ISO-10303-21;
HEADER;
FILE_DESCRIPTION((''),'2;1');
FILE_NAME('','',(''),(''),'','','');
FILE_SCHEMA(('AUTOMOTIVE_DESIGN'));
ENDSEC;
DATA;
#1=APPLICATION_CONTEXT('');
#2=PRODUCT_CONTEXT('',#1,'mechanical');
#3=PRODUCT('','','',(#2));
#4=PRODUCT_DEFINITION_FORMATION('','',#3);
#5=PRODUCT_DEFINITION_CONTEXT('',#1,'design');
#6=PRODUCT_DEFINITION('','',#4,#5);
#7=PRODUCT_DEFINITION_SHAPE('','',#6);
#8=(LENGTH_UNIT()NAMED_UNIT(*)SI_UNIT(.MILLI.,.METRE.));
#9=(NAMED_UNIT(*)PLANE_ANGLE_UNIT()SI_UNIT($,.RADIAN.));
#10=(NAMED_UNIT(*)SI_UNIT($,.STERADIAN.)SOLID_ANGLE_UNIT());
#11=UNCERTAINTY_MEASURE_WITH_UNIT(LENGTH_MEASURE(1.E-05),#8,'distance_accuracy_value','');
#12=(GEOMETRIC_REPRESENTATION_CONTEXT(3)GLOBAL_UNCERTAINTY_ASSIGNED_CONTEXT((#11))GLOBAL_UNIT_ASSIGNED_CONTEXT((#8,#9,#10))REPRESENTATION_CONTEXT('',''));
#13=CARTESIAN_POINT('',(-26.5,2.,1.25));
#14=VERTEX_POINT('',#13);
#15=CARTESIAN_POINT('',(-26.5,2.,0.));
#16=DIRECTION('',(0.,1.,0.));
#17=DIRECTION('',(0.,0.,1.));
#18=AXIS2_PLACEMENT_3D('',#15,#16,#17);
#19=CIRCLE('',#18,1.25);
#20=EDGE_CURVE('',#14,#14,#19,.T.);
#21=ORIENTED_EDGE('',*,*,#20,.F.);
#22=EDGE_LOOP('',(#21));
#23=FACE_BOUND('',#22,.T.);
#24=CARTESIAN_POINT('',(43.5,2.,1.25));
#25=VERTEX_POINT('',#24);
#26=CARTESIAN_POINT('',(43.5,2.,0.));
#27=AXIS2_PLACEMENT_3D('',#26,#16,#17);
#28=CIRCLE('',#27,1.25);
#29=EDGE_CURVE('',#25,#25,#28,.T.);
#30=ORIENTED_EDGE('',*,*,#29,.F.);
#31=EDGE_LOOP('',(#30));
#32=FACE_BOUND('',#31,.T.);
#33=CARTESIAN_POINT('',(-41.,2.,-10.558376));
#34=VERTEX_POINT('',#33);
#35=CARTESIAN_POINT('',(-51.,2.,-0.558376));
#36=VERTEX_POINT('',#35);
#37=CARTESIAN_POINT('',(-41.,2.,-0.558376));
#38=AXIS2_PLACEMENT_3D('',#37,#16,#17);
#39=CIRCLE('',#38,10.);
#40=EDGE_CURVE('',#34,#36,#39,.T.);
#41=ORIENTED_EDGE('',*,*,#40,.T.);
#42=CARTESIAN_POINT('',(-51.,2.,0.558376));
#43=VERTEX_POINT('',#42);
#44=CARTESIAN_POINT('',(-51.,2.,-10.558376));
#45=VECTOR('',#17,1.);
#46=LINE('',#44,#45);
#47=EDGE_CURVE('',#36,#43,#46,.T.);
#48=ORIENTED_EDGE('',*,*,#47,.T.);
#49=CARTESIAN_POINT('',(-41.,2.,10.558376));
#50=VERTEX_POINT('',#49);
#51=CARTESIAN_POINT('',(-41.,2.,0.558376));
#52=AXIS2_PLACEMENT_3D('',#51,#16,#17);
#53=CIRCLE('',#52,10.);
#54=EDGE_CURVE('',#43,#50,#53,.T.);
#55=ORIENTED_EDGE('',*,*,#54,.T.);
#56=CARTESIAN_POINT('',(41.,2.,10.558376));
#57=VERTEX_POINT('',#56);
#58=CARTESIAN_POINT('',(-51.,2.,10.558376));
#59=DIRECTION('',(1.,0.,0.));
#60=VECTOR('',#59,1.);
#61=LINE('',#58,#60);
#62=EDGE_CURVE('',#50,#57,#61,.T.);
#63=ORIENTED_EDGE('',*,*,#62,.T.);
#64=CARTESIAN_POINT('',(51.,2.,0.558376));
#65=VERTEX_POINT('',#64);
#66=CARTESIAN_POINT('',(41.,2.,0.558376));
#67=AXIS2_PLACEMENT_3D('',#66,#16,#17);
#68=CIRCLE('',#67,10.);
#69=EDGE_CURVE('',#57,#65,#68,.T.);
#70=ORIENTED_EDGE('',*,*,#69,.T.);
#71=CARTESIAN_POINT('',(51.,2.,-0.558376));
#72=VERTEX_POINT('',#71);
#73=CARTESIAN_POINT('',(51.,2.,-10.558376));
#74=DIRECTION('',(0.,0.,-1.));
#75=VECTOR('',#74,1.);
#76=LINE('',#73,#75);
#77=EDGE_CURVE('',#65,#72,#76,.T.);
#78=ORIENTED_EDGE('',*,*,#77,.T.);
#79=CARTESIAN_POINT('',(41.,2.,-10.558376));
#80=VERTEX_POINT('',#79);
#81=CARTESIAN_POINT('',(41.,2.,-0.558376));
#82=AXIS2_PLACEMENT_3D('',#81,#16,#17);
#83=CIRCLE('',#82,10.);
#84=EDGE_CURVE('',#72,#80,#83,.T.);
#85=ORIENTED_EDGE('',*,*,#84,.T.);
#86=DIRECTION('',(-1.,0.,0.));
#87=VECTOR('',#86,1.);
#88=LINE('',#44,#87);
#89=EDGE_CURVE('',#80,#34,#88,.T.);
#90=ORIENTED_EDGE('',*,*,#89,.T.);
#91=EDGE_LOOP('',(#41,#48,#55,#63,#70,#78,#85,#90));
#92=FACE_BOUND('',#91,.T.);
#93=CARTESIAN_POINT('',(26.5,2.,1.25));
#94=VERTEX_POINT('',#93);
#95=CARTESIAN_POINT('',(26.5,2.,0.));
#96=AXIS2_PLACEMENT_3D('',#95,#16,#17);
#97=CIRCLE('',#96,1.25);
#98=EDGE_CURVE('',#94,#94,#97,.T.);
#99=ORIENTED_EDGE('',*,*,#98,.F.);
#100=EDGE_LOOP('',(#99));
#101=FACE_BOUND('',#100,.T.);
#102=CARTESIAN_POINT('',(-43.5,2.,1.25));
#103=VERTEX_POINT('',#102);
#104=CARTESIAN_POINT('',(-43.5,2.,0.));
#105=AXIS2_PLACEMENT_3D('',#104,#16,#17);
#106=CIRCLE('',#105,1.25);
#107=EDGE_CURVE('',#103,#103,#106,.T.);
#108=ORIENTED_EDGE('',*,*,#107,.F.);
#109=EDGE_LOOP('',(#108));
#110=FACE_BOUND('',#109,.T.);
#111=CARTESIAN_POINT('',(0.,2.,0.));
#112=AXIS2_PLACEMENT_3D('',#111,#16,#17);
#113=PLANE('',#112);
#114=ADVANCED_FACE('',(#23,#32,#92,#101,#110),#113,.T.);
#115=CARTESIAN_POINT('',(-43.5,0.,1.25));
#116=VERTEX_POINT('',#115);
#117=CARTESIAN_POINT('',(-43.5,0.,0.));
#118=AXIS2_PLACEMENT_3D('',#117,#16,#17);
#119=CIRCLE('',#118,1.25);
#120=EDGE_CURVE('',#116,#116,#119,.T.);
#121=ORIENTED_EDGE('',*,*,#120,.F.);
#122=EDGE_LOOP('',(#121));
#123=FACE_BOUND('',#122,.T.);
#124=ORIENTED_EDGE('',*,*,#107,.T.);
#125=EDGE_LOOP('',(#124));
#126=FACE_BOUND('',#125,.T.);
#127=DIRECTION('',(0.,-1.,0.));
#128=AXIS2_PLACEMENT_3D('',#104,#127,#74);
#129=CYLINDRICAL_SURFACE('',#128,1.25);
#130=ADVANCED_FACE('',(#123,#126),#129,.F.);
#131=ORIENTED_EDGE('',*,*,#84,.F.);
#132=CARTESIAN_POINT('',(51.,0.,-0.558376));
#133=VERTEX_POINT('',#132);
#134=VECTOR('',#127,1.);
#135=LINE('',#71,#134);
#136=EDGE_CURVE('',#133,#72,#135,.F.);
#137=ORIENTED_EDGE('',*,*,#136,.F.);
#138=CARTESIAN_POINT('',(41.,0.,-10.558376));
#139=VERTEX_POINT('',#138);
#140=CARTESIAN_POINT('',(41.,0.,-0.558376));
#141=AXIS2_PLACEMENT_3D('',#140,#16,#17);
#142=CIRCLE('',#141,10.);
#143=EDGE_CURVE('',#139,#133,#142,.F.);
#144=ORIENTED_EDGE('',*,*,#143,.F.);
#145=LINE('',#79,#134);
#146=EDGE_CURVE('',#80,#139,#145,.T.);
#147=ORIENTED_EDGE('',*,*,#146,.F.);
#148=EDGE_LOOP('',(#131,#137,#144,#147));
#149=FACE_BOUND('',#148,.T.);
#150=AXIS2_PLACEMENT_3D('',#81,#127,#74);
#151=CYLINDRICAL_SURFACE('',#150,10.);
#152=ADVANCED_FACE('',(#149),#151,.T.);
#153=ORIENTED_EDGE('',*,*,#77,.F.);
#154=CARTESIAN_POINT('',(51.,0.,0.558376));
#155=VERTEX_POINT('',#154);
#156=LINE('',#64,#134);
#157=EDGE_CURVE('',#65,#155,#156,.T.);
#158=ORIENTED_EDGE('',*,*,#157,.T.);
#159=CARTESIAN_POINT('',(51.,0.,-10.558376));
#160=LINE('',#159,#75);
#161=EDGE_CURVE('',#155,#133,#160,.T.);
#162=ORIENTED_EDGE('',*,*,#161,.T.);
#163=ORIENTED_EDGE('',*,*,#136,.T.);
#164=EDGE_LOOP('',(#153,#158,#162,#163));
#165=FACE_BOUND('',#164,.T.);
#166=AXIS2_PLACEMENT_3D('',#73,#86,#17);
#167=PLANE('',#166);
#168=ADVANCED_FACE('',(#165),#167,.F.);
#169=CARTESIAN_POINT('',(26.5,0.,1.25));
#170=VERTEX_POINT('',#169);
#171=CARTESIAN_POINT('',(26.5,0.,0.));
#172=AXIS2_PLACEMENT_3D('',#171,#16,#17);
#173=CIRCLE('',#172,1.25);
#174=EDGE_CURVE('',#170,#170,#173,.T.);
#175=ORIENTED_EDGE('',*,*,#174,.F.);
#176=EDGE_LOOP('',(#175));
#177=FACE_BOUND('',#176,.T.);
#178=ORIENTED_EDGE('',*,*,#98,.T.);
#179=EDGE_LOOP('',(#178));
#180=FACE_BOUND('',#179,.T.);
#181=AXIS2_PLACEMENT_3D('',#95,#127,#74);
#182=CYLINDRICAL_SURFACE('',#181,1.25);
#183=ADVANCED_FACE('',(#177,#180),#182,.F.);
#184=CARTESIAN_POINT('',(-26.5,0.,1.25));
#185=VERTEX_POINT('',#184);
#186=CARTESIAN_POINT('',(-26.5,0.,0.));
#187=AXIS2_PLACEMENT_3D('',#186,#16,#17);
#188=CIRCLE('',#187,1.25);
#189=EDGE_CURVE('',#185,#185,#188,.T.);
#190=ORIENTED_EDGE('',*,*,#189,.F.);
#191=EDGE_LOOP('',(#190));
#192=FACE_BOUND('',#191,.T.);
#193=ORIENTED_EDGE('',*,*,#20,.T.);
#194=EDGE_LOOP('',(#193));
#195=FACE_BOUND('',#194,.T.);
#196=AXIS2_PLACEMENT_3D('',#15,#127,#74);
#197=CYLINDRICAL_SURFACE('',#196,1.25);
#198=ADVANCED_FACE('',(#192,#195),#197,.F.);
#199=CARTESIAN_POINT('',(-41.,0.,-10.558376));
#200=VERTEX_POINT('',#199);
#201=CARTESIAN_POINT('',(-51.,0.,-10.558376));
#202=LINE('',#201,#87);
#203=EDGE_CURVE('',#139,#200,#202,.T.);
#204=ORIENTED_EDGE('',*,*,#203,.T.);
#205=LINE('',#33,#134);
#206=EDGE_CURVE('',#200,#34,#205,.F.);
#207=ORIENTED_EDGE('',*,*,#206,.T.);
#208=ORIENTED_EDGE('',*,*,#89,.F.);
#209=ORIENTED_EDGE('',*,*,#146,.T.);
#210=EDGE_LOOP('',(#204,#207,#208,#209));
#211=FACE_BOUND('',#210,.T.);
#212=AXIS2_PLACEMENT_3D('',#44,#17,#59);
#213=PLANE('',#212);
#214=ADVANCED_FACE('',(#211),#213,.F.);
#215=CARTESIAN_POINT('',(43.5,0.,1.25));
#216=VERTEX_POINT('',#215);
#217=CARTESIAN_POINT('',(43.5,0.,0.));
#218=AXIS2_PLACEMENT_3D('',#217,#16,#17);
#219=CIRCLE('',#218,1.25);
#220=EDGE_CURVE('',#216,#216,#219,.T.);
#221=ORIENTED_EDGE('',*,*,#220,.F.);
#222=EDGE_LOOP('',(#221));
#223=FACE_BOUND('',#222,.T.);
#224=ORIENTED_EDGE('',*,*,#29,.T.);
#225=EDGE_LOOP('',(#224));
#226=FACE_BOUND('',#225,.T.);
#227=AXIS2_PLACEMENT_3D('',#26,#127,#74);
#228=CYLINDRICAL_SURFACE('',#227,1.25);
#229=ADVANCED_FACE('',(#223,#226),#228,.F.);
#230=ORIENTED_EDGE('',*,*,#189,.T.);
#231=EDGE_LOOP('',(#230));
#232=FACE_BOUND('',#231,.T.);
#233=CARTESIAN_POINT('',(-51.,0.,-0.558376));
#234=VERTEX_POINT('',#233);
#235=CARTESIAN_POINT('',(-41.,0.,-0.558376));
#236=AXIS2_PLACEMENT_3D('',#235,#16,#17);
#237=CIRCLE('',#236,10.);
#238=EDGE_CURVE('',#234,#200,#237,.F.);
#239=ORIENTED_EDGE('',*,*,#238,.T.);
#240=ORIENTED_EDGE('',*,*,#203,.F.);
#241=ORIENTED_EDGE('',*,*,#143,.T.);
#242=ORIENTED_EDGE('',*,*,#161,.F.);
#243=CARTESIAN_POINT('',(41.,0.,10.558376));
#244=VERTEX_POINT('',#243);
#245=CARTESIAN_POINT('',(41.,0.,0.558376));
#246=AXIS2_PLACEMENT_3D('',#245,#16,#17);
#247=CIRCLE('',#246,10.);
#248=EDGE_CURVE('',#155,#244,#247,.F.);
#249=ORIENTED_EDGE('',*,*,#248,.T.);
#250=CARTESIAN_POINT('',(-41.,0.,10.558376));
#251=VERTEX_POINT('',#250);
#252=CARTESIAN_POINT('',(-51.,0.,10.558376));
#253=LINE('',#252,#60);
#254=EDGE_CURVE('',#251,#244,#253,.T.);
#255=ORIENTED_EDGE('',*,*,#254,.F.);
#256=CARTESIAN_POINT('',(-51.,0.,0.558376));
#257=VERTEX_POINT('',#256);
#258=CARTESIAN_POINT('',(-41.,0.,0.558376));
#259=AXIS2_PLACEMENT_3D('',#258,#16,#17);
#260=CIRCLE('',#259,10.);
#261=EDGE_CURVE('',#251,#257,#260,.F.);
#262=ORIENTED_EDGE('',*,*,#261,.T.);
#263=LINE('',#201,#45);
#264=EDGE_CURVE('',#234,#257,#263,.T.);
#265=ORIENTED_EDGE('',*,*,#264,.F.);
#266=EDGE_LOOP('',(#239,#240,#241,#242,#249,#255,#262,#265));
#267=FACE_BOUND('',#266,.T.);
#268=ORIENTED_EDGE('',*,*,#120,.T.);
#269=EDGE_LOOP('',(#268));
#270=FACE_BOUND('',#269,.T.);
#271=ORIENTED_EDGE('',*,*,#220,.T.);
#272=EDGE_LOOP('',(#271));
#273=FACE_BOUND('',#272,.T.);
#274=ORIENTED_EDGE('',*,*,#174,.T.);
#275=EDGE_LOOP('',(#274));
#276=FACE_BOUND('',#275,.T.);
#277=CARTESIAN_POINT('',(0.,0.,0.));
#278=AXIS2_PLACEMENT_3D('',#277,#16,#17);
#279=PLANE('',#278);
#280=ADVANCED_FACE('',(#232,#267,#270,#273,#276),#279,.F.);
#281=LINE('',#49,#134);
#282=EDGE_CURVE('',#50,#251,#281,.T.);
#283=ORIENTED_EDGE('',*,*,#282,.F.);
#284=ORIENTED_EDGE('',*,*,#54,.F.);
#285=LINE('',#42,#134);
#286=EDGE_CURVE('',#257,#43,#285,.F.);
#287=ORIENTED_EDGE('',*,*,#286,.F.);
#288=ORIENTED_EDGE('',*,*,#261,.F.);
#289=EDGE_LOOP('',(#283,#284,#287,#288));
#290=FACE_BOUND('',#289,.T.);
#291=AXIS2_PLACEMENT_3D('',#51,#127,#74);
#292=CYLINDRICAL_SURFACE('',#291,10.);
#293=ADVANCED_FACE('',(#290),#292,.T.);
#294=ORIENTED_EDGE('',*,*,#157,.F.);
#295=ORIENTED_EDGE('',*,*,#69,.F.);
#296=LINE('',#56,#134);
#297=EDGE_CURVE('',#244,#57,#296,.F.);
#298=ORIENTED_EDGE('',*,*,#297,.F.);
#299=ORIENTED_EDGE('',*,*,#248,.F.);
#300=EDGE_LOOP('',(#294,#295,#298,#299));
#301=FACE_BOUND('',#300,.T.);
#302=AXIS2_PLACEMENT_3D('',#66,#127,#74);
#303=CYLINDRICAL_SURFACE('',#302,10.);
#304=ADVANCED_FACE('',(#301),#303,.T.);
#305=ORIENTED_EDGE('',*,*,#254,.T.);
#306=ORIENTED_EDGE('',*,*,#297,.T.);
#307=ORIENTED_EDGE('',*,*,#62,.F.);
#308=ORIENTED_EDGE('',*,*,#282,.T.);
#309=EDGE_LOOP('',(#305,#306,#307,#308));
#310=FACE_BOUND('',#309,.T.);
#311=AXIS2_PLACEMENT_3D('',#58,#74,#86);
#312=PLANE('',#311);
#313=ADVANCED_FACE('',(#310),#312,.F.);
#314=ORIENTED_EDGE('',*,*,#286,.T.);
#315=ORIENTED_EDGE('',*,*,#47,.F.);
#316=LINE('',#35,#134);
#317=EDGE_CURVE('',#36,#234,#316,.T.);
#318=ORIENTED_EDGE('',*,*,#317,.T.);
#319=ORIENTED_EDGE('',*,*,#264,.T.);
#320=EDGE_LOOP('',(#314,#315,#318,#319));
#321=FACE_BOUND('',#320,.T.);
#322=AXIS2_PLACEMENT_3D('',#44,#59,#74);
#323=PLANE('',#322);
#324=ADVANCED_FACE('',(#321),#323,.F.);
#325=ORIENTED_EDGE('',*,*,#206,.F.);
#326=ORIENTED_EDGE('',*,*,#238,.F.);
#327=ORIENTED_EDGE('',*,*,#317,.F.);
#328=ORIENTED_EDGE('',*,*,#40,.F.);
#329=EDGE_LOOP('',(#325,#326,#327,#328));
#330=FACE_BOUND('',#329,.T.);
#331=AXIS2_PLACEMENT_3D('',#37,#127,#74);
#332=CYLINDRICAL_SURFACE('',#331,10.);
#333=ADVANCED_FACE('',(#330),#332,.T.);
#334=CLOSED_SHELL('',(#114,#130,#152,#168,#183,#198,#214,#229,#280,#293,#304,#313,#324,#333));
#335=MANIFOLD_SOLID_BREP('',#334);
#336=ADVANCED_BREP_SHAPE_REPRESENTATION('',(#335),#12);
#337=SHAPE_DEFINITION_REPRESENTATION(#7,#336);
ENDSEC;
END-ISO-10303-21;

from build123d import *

# Parameters (mm, degrees)
SKETCH1_W           = 102
SKETCH1_H           = 21.11675127
SKETCH1_R           = 1.25
BOSS_EXTRUDE1_DEPTH = 2
FILLET1_R           = 10


with BuildPart() as part:
    # Sketch1 → Boss-Extrude1 (new body)
    with BuildSketch(Plane(origin=(0, 0, 0), x_dir=(1, 0, 0), z_dir=(0, 1, 0))):
        Rectangle(SKETCH1_W, SKETCH1_H)
        with Locations((43.5, 0)):
            Circle(SKETCH1_R, mode=Mode.SUBTRACT)
        with Locations((26.5, 0)):
            Circle(SKETCH1_R, mode=Mode.SUBTRACT)
        with Locations((-26.5, 0)):
            Circle(SKETCH1_R, mode=Mode.SUBTRACT)
        with Locations((-43.5, 0)):
            Circle(SKETCH1_R, mode=Mode.SUBTRACT)
    extrude(amount=BOSS_EXTRUDE1_DEPTH)

    # Fillet1
    fillet1_edges = [part.edges().sort_by_distance(p)[0] for p in [
        (-51, 1, -10.558375635),
        (51, 1, -10.558375635),
        (51, 1, 10.558375635),
        (-51, 1, 10.558375635),
    ]]
    fillet(fillet1_edges, radius=FILLET1_R)


solid = part.part
